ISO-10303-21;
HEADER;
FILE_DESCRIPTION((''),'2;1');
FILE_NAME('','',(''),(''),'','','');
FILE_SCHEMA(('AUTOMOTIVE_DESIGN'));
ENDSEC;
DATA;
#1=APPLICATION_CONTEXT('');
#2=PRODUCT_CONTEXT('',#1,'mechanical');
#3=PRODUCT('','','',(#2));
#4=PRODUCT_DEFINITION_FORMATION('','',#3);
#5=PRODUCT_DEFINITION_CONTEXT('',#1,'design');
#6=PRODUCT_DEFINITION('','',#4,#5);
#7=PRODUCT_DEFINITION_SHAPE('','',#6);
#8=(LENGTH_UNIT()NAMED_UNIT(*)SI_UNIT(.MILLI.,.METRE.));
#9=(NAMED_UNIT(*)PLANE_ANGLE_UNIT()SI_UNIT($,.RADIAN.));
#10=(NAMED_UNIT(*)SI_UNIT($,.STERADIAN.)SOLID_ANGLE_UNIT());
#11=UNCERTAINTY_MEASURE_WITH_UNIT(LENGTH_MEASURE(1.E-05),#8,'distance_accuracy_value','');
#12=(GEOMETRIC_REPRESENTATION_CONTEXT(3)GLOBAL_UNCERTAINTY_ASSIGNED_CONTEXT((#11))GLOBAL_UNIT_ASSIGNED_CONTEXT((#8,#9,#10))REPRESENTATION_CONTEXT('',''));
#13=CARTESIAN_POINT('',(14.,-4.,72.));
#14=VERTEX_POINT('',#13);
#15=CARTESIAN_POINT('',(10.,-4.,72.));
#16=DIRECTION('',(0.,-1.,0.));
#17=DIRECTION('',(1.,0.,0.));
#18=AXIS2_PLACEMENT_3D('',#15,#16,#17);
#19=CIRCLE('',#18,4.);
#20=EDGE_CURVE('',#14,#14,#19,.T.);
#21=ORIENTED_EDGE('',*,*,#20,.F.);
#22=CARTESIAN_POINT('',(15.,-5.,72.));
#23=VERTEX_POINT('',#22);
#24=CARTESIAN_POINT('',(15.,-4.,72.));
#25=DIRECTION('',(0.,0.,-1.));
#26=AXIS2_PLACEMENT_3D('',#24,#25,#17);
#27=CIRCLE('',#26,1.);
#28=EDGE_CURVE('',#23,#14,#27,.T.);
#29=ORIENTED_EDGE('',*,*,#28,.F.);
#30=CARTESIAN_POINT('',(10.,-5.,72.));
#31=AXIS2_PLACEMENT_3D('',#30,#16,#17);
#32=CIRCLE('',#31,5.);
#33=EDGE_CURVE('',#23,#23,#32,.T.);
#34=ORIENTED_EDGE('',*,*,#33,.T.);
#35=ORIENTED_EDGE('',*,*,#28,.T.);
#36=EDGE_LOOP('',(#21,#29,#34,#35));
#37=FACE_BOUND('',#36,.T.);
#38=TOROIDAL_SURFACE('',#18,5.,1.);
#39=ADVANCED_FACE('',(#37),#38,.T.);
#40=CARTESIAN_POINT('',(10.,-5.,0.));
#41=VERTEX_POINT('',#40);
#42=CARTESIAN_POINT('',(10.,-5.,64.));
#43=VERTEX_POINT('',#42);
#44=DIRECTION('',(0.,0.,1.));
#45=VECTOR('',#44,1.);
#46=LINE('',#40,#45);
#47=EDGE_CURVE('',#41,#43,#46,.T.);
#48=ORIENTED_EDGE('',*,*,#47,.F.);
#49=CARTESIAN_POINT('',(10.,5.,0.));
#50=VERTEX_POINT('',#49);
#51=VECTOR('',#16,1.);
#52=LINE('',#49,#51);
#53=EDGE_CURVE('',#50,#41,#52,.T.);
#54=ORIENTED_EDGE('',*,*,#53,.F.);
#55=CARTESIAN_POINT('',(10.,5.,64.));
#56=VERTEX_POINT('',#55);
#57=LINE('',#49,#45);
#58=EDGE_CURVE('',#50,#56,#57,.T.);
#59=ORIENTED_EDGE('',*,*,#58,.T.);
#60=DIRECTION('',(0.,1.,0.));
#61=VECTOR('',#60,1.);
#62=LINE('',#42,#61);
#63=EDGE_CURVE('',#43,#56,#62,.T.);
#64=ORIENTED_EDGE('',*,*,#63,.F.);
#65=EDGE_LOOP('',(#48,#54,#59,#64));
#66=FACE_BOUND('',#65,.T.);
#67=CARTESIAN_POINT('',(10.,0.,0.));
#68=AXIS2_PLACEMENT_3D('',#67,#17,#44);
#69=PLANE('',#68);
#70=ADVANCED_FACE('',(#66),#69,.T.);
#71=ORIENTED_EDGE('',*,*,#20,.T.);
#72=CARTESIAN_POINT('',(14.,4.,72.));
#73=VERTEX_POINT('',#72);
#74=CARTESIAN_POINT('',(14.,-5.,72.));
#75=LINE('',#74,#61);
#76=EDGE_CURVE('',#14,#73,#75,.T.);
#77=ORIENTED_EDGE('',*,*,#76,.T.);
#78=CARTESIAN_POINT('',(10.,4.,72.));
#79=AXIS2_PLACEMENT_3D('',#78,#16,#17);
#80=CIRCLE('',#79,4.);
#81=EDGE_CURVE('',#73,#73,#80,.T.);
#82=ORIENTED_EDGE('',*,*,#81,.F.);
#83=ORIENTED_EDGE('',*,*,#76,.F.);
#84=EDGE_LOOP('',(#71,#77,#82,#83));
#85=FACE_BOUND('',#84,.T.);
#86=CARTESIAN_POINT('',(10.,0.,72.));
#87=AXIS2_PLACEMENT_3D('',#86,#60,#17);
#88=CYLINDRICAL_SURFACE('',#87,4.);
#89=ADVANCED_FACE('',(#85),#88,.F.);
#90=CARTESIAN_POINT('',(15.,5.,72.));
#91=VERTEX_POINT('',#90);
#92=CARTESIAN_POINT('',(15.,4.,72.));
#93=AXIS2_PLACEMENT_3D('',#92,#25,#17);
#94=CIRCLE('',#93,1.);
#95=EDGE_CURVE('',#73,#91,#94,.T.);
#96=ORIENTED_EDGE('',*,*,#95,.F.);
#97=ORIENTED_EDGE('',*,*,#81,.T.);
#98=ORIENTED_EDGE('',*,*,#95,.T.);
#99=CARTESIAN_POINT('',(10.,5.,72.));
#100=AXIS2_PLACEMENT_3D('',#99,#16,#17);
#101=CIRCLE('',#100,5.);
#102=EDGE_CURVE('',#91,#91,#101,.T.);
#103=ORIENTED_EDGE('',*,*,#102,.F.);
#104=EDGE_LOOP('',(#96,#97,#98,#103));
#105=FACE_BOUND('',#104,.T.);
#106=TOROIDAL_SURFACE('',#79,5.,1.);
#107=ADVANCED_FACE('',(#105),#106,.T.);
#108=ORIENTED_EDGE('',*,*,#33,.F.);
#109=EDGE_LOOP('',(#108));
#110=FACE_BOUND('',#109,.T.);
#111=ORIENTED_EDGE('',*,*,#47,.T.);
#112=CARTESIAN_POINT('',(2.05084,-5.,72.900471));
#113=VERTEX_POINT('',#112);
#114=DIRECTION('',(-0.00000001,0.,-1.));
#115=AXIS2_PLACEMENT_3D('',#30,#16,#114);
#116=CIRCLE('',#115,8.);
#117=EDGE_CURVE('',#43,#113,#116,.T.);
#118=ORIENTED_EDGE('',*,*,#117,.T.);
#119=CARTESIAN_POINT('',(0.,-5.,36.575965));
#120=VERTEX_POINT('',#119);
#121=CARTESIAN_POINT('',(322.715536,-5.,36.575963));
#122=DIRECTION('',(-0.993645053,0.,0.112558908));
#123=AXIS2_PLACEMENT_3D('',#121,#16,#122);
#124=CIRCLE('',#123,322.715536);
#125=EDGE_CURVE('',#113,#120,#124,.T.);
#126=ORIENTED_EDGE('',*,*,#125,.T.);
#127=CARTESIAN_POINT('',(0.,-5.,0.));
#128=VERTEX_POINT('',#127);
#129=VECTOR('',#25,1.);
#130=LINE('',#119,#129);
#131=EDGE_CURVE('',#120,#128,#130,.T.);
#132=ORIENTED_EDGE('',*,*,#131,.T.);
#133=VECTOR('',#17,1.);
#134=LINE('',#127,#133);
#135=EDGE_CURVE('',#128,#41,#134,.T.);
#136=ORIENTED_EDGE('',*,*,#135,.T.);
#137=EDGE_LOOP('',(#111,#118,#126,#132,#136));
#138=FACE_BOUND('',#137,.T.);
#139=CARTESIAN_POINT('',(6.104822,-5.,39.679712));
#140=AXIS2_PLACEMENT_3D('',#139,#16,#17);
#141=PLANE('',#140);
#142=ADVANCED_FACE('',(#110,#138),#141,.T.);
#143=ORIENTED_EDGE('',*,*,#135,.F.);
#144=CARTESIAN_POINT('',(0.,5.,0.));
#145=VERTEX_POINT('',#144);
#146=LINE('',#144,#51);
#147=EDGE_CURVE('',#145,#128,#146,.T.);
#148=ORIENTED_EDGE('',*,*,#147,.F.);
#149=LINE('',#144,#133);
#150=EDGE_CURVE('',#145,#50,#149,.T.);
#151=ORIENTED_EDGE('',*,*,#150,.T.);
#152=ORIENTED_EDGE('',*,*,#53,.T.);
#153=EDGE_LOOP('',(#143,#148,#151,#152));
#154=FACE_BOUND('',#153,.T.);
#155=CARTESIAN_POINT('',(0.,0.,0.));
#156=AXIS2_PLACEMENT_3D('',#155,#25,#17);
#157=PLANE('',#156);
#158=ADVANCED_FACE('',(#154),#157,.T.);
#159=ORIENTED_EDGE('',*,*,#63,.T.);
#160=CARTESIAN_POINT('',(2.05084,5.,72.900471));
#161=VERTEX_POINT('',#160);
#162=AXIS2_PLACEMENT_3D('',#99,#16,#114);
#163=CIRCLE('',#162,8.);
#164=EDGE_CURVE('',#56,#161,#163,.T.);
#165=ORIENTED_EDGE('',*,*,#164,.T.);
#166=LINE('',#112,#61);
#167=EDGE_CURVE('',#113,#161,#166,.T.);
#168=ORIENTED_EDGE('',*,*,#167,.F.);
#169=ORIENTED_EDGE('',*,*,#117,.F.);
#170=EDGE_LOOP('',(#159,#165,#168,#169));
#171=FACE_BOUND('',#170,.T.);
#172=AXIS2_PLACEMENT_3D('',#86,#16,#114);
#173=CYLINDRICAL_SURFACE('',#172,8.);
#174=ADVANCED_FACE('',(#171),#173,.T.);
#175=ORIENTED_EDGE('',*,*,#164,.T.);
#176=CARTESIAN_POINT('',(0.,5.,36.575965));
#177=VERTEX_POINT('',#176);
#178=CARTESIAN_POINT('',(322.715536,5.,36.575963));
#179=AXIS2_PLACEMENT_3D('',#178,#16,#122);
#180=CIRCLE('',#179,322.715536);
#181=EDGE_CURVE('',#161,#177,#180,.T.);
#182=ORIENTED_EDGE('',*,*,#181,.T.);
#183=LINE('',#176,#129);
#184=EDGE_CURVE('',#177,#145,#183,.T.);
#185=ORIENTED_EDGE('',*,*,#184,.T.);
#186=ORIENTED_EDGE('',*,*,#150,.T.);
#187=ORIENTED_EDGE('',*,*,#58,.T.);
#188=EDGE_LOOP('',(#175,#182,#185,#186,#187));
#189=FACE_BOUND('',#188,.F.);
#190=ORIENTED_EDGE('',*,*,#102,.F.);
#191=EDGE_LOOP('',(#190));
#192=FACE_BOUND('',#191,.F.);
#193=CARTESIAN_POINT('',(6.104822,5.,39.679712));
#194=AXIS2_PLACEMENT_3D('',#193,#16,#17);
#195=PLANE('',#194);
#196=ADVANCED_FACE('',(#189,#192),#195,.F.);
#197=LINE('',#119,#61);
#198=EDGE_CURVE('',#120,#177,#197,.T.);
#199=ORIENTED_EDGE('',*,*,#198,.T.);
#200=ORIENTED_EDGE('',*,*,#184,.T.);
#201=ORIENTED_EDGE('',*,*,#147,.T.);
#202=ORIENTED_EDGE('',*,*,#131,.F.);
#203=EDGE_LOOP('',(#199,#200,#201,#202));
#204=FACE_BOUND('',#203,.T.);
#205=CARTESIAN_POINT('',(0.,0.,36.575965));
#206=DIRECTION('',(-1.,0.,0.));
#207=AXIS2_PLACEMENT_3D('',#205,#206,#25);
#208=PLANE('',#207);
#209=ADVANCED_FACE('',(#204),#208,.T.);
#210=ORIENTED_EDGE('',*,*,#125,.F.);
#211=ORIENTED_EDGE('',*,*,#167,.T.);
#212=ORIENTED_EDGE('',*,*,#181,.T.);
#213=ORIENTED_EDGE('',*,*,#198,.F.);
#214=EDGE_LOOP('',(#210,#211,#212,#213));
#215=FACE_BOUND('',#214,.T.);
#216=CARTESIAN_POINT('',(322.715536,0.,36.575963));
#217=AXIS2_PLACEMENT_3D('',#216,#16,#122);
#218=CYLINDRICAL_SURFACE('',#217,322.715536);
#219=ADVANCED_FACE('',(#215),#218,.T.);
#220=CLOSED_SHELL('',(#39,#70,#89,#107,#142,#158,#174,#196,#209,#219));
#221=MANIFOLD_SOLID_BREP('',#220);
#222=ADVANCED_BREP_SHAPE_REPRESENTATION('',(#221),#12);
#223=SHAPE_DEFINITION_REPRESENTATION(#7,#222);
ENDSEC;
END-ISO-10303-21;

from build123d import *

# Parameters (mm, degrees)
F0_R     = 4
F1_DEPTH = 5
F2_R     = 1


with BuildPart() as f1:
    # F0 (on Front) → F1 (new body, symmetric)
    with BuildSketch(Plane.XZ):
        with BuildLine():
            Line((0, 36.575965), (0, 0))
            Line((0, 0), (10, 0))
            Line((10, 0), (10, 64))
            ThreePointArc((10, 64), (15.966731, 77.328988), (2.05084, 72.900471))
            ThreePointArc((2.05084, 72.900471), (0.513118, 54.767142), (0, 36.575965))
        make_face()
        with Locations((10, 72)):
            Circle(F0_R, mode=Mode.SUBTRACT)
    extrude(amount=F1_DEPTH, both=True)

    # F2
    f2_edges = [f1.edges().sort_by_distance(p)[0] for p in [
        (6, -5, 72),
        (6, 5, 72),
    ]]
    fillet(f2_edges, radius=F2_R)


solid = f1.part
